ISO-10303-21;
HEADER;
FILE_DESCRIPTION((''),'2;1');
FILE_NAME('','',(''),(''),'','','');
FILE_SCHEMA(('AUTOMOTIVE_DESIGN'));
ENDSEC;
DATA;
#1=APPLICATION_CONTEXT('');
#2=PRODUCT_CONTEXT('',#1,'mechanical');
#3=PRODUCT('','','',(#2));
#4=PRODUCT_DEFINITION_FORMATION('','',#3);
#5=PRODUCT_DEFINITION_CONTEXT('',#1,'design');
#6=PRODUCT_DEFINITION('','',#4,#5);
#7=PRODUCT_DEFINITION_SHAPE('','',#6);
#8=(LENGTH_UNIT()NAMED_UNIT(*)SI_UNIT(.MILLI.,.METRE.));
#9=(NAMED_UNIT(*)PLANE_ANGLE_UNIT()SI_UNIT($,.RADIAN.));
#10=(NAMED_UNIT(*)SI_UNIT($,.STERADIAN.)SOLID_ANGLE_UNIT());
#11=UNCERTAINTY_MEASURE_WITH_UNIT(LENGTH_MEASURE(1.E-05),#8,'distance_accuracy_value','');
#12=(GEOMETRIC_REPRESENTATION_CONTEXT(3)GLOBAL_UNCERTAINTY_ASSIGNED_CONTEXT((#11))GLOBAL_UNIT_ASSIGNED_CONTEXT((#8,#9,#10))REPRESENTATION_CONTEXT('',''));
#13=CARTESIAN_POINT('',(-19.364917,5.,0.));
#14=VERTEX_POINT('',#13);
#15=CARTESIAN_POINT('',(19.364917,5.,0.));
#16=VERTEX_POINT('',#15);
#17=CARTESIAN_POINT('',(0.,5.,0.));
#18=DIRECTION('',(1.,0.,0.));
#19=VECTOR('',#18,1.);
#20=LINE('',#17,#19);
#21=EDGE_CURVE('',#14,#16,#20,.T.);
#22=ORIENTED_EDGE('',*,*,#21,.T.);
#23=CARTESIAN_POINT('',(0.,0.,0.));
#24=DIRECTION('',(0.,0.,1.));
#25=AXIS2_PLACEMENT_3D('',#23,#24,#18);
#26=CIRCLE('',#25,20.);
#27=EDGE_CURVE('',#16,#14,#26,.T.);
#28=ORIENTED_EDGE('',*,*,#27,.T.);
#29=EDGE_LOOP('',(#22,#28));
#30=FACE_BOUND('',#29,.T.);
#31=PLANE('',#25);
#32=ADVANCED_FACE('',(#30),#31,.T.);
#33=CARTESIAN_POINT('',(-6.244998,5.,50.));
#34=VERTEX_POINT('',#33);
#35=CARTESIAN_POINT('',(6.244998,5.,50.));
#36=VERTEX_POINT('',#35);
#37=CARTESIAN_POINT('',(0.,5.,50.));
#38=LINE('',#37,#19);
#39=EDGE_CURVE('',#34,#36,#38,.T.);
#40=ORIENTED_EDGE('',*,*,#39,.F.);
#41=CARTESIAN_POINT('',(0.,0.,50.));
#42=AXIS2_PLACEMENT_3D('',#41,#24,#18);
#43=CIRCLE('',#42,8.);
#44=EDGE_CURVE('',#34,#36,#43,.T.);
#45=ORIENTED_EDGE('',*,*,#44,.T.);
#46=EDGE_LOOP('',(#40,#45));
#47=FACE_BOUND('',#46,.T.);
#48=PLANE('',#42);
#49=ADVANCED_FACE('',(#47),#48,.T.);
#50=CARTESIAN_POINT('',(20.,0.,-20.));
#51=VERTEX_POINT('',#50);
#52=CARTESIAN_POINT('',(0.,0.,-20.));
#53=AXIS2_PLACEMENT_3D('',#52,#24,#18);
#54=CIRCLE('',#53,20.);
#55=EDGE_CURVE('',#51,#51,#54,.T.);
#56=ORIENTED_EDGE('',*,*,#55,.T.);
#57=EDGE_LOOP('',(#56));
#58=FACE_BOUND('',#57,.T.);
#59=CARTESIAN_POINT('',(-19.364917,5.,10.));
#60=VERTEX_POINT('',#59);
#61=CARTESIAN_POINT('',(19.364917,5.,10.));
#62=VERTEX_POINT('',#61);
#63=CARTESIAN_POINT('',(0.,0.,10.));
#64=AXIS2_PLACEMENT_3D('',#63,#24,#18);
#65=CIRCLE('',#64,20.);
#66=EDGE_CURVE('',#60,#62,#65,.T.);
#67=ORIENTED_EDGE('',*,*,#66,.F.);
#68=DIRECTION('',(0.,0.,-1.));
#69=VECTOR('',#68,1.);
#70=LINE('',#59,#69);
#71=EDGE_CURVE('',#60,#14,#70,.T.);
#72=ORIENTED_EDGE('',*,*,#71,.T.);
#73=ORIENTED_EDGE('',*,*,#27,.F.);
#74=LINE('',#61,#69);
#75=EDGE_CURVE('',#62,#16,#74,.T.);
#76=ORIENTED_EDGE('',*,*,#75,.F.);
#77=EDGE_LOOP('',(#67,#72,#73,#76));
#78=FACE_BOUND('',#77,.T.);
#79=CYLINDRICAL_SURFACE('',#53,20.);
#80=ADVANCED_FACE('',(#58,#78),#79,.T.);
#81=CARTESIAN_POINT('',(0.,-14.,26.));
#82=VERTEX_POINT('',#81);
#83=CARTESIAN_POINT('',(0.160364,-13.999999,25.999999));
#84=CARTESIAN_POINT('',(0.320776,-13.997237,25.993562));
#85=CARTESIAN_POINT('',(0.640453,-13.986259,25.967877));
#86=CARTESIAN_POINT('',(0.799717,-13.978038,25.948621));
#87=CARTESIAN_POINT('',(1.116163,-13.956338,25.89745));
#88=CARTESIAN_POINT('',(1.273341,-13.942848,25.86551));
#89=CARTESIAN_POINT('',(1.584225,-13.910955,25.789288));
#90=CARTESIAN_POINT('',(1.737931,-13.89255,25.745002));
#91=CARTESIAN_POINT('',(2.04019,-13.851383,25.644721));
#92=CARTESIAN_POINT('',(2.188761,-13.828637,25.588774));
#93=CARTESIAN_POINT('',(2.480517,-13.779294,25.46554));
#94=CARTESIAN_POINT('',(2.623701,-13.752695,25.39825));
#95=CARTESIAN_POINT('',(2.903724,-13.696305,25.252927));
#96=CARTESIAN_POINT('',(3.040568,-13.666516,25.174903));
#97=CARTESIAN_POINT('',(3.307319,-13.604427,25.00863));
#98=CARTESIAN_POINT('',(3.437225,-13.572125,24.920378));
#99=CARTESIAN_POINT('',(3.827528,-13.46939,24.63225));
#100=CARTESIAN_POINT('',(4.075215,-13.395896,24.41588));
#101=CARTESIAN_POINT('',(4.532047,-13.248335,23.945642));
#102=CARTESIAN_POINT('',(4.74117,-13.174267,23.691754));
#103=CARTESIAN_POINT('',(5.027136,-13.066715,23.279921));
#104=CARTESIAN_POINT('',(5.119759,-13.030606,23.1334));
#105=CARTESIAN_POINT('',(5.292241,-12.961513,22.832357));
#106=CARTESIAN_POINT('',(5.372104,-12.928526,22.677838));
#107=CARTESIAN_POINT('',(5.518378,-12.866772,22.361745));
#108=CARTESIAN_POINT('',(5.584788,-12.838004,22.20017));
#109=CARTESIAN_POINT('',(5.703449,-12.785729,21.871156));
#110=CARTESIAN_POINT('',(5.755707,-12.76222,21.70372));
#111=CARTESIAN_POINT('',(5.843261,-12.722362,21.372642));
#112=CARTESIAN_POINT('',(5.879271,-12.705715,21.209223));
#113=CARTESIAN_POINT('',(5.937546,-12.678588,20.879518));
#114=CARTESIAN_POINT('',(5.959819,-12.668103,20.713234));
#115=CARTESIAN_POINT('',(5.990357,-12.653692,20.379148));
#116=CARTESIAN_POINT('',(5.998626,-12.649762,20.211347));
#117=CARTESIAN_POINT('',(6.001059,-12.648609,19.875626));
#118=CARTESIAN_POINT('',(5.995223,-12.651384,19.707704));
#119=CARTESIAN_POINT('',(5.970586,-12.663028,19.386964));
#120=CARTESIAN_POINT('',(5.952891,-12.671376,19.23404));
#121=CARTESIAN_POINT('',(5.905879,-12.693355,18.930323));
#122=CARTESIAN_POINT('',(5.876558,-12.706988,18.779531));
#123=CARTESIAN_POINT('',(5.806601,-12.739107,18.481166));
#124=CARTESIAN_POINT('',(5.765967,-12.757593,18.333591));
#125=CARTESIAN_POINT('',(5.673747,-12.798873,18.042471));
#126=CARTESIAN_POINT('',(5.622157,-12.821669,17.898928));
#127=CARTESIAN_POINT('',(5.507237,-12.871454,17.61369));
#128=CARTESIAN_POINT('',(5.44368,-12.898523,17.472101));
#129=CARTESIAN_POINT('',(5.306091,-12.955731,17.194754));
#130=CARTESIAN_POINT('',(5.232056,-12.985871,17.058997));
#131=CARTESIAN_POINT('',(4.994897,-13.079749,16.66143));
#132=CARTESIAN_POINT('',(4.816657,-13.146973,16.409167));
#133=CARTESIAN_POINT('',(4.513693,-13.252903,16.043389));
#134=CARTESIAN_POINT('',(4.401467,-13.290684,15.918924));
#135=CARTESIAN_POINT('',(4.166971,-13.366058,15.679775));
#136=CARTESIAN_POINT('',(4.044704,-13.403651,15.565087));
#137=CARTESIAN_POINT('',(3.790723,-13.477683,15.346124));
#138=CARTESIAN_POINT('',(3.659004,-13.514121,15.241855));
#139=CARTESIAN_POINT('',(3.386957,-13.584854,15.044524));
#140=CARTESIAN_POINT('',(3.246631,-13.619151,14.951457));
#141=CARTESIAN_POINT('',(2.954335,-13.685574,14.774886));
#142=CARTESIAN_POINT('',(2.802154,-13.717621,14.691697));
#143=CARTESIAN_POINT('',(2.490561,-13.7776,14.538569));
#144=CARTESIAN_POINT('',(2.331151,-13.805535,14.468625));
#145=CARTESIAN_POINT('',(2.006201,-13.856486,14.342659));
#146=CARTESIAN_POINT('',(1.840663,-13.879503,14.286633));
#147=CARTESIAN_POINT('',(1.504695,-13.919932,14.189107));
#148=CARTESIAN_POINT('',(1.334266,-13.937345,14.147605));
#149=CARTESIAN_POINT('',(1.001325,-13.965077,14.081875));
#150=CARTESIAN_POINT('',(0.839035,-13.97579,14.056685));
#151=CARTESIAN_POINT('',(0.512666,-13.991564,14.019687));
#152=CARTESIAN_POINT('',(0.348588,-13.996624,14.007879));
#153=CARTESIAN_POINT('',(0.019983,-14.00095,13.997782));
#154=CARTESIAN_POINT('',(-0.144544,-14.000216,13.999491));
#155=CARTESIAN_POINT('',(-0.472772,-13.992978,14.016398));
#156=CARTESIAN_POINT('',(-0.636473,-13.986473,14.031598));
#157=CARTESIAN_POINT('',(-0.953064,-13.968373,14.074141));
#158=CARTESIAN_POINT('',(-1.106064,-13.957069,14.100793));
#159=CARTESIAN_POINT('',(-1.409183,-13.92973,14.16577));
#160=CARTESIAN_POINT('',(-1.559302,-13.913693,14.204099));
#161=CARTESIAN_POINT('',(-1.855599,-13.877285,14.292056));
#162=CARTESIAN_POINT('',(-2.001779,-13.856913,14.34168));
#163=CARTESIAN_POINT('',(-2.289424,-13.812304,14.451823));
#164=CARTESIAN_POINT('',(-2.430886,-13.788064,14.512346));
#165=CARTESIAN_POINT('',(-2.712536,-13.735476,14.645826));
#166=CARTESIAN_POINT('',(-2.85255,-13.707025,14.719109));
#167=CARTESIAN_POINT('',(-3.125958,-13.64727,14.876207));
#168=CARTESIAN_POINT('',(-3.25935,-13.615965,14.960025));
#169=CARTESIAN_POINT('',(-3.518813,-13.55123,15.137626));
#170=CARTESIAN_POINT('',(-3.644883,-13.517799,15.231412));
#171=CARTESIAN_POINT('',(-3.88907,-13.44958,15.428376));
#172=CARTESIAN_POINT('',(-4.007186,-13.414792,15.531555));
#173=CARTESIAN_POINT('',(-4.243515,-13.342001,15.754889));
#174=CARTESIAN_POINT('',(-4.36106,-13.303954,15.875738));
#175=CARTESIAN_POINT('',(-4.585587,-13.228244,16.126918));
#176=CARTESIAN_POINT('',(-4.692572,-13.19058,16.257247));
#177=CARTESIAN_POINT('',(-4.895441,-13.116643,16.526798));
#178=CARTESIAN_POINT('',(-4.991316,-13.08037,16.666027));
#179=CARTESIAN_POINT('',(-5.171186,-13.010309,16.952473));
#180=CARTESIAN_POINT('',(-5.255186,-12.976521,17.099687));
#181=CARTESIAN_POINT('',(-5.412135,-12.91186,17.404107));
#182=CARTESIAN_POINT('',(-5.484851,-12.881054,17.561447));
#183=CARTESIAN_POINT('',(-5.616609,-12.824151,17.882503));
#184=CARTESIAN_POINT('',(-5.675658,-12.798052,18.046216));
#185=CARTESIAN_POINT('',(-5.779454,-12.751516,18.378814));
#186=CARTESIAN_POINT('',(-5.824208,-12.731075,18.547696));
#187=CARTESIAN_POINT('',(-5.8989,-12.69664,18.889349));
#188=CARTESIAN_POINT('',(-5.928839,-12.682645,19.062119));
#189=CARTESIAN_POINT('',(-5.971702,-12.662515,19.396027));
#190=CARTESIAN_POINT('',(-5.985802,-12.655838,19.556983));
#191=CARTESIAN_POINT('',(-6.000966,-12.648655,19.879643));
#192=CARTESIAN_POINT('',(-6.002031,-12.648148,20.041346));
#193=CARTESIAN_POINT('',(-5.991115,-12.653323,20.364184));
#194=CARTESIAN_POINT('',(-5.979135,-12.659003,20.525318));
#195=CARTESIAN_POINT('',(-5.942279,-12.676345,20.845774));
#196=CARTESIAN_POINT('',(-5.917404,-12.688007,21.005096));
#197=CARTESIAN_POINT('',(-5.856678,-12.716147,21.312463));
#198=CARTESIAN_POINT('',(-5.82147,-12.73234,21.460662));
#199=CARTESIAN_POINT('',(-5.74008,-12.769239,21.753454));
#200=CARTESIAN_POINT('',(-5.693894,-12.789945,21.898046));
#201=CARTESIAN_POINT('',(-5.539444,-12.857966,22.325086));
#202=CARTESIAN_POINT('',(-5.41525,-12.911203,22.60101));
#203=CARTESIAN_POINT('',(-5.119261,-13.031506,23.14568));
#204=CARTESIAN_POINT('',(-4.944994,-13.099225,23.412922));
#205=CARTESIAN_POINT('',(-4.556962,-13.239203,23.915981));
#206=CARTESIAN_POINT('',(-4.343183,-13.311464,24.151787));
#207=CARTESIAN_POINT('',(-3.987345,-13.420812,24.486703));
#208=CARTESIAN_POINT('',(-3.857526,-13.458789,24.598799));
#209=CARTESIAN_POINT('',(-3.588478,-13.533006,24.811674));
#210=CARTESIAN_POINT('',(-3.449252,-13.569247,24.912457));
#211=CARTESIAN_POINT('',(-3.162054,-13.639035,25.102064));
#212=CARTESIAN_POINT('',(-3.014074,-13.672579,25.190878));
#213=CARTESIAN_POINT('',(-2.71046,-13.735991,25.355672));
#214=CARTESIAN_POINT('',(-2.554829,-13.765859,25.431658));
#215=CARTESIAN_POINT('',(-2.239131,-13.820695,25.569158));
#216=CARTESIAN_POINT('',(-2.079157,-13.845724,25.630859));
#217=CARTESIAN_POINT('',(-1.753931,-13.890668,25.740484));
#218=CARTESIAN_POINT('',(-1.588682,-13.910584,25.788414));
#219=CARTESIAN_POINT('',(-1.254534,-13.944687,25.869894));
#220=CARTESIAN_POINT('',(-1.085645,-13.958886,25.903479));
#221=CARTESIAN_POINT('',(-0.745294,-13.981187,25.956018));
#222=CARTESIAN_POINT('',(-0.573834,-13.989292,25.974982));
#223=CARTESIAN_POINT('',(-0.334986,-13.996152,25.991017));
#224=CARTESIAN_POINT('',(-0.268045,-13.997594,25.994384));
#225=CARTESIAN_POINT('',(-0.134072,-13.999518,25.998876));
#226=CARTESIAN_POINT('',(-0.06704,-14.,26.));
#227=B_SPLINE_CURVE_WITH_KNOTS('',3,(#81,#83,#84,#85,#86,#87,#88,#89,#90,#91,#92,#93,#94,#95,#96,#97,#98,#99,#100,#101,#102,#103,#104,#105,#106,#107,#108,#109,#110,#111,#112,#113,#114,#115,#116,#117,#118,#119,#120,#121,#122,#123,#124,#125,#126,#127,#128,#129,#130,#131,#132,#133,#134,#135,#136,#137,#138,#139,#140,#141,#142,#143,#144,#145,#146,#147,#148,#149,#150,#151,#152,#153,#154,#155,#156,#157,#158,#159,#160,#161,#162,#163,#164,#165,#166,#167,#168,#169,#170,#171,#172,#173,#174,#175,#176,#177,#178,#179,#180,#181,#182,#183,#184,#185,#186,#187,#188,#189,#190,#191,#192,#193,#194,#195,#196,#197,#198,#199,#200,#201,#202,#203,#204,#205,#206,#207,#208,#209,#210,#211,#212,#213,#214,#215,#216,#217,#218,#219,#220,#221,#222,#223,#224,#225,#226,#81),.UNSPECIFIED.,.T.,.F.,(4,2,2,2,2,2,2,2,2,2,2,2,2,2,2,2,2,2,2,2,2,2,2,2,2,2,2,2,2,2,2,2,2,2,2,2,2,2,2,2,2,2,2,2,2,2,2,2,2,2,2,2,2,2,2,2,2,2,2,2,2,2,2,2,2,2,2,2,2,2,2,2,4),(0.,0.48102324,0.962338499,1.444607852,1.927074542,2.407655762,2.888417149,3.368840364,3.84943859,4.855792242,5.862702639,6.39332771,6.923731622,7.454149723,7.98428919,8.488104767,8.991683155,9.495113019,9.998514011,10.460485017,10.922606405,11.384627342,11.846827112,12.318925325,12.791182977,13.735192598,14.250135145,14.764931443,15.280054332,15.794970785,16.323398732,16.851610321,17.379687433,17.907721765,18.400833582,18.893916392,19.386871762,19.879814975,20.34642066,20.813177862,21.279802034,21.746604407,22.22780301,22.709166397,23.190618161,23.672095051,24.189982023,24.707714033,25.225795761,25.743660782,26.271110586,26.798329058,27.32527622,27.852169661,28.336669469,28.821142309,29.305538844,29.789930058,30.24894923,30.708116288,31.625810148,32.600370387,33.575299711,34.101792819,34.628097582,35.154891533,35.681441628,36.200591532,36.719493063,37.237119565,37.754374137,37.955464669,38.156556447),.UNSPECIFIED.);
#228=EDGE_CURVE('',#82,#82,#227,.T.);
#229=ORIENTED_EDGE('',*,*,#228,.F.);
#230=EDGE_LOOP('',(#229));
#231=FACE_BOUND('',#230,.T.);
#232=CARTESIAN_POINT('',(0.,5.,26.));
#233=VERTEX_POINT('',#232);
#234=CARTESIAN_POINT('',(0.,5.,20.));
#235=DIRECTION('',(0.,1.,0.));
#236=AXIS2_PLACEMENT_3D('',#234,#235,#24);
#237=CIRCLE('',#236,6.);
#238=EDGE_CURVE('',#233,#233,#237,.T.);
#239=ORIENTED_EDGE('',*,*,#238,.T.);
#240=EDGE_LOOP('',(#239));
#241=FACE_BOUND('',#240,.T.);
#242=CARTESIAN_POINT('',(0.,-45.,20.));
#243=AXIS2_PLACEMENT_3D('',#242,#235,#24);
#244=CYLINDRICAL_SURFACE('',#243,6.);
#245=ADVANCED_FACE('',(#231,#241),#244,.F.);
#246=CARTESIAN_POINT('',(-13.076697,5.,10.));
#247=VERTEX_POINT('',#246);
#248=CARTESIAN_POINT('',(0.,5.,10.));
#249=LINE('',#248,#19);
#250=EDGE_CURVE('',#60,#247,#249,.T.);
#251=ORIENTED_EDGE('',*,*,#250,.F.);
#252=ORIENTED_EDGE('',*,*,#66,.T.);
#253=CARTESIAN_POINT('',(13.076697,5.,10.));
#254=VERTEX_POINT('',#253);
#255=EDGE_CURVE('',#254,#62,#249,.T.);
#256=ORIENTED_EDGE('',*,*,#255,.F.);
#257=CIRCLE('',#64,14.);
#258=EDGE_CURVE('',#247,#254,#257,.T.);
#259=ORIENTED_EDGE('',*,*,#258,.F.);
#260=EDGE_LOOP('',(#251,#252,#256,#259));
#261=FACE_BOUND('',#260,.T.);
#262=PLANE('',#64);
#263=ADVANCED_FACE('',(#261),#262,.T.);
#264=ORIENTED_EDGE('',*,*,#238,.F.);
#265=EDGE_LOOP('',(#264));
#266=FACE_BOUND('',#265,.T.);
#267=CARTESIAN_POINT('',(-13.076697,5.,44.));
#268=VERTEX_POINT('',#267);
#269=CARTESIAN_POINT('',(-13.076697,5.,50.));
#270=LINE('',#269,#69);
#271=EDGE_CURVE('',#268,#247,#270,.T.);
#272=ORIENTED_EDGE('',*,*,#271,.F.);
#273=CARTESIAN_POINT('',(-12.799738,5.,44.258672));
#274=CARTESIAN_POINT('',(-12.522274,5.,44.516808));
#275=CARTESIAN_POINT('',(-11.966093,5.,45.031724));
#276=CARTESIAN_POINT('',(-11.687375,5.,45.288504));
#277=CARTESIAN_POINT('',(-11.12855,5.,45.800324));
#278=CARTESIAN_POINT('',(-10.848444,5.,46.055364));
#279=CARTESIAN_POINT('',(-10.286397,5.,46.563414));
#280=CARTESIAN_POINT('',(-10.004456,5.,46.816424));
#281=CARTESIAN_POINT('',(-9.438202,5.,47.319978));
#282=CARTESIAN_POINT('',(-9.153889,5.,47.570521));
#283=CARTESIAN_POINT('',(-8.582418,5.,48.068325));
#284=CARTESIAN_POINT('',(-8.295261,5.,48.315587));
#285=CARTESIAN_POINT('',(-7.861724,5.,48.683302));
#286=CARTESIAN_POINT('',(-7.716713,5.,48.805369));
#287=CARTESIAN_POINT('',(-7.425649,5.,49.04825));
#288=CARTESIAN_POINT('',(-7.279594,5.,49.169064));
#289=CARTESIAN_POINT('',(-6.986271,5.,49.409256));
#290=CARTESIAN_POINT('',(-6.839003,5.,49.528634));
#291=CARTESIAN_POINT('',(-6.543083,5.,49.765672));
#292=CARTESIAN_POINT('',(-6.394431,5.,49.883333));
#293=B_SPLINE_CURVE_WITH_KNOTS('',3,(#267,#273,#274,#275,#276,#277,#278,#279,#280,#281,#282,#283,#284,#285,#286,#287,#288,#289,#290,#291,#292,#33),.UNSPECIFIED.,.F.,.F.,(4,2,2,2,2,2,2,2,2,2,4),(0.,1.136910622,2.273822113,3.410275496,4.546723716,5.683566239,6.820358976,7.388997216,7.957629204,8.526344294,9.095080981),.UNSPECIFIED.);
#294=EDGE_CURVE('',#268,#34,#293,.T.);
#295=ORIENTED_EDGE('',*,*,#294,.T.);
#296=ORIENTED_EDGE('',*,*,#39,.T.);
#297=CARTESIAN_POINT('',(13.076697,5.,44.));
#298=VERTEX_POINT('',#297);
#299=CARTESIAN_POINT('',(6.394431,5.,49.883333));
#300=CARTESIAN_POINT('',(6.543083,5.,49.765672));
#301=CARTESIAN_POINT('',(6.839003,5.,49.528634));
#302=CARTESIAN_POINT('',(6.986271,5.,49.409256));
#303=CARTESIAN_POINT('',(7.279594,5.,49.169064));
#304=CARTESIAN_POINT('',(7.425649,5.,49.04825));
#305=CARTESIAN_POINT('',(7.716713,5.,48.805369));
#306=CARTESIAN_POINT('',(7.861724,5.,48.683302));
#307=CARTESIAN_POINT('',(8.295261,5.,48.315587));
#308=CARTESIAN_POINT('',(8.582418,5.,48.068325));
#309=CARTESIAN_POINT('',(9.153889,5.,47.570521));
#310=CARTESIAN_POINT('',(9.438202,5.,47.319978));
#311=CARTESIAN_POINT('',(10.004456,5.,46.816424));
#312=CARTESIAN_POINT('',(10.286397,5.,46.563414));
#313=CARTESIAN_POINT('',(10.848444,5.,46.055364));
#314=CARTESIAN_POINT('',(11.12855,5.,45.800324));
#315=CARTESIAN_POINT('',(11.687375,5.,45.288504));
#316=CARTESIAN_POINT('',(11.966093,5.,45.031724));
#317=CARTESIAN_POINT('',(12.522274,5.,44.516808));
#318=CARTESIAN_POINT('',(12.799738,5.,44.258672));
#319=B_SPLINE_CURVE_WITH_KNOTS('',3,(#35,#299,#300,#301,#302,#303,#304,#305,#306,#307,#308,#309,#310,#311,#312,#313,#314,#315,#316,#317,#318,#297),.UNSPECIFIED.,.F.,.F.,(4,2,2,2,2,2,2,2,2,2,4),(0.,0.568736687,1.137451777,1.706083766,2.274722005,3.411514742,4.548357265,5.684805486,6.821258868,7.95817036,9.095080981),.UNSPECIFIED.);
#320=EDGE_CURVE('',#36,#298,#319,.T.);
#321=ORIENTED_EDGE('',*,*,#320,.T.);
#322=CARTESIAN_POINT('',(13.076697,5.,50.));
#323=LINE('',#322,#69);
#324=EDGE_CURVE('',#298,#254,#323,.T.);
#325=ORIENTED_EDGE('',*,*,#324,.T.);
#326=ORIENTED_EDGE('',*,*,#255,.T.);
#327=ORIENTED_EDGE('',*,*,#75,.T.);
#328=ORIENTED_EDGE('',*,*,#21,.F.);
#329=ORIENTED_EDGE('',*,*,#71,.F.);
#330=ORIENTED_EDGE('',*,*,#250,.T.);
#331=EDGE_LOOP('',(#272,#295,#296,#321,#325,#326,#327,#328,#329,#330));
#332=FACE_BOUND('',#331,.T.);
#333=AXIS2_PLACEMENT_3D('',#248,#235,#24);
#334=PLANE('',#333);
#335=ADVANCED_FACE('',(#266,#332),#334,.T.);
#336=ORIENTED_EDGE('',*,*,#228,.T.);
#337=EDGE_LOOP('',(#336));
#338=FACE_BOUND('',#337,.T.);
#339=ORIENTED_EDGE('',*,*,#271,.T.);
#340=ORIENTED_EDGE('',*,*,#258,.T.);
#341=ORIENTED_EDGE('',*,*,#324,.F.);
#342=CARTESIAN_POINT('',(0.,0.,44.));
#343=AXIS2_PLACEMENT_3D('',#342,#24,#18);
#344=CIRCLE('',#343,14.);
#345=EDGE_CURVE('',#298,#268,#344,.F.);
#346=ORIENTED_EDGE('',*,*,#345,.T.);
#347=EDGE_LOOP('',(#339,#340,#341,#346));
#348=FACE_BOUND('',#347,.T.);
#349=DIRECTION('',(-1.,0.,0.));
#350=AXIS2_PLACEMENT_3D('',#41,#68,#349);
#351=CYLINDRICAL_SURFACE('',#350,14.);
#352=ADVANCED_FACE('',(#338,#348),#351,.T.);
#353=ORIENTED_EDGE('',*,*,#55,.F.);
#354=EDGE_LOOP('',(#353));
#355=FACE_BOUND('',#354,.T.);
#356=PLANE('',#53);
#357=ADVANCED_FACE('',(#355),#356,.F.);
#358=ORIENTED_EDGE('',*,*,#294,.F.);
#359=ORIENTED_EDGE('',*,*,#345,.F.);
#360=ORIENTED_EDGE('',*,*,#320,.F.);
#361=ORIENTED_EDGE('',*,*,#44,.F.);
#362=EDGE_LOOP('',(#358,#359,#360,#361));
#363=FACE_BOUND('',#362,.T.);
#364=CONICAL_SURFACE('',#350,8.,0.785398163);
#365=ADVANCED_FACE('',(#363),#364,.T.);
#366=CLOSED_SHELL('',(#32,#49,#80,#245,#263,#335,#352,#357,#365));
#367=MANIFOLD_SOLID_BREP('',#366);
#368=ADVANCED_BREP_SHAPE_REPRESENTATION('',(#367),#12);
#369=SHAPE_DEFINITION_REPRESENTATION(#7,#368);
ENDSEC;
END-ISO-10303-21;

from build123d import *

# Parameters (mm, degrees)
SKETCH1_R           = 20
BOSS_EXTRUDE1_DEPTH = 20
BOSS_EXTRUDE2_START = 10
BOSS_EXTRUDE2_DEPTH = 10
BOSS_EXTRUDE3_START = 50
BOSS_EXTRUDE3_DEPTH = 50
CHAMFER3_SIZE       = 6
SKETCH3_R           = 6
CUT_EXTRUDE1_DEPTH  = 50


with BuildPart() as part:
    # Sketch1 → Boss-Extrude1 (new body)
    with BuildSketch(Plane.XY):
        Circle(SKETCH1_R)
    extrude(amount=-BOSS_EXTRUDE1_DEPTH)

    # Sketch1<4> → Boss-Extrude2 (add)
    with BuildSketch(Plane.XY.offset(BOSS_EXTRUDE2_START)):
        with BuildLine():
            Line((-13.076696831, 5), (-19.364916731, 5))
            ThreePointArc((-19.364916731, 5), (-2.52008585, -19.840593925), (20, 0))
            ThreePointArc((20, 0), (19.840593925, 2.52008585), (19.364916731, 5))
            Line((19.364916731, 5), (13.076696831, 5))
            ThreePointArc((13.076696831, 5), (13.767239295, 2.542267135), (14, 0))
            ThreePointArc((14, 0), (-2.542267135, -13.767239295), (-13.076696831, 5))
        make_face()
    extrude(amount=-BOSS_EXTRUDE2_DEPTH)

    # Sketch1<5> → Boss-Extrude3 (add)
    with BuildSketch(Plane.XY.offset(BOSS_EXTRUDE3_START)):
        with BuildLine():
            Line((13.076696831, 5), (-13.076696831, 5))
            ThreePointArc((-13.076696831, 5), (-2.542267135, -13.767239295), (14, 0))
            ThreePointArc((14, 0), (13.767239295, 2.542267135), (13.076696831, 5))
        make_face()
    extrude(amount=-BOSS_EXTRUDE3_DEPTH)

    # Chamfer3
    chamfer3_edges = [part.edges().sort_by_distance(p)[0] for p in [
        (-2.542267135, -13.767239295, 50),
    ]]
    chamfer(chamfer3_edges, length=CHAMFER3_SIZE)

    # Sketch3 → Cut-Extrude1 (cut)
    with BuildSketch(Plane(origin=(0, 5, 0), x_dir=(1, 0, 0), z_dir=(0, 1, 0))):
        with Locations((0, -20)):
            Circle(SKETCH3_R)
    extrude(amount=-CUT_EXTRUDE1_DEPTH, mode=Mode.SUBTRACT)


solid = part.part
